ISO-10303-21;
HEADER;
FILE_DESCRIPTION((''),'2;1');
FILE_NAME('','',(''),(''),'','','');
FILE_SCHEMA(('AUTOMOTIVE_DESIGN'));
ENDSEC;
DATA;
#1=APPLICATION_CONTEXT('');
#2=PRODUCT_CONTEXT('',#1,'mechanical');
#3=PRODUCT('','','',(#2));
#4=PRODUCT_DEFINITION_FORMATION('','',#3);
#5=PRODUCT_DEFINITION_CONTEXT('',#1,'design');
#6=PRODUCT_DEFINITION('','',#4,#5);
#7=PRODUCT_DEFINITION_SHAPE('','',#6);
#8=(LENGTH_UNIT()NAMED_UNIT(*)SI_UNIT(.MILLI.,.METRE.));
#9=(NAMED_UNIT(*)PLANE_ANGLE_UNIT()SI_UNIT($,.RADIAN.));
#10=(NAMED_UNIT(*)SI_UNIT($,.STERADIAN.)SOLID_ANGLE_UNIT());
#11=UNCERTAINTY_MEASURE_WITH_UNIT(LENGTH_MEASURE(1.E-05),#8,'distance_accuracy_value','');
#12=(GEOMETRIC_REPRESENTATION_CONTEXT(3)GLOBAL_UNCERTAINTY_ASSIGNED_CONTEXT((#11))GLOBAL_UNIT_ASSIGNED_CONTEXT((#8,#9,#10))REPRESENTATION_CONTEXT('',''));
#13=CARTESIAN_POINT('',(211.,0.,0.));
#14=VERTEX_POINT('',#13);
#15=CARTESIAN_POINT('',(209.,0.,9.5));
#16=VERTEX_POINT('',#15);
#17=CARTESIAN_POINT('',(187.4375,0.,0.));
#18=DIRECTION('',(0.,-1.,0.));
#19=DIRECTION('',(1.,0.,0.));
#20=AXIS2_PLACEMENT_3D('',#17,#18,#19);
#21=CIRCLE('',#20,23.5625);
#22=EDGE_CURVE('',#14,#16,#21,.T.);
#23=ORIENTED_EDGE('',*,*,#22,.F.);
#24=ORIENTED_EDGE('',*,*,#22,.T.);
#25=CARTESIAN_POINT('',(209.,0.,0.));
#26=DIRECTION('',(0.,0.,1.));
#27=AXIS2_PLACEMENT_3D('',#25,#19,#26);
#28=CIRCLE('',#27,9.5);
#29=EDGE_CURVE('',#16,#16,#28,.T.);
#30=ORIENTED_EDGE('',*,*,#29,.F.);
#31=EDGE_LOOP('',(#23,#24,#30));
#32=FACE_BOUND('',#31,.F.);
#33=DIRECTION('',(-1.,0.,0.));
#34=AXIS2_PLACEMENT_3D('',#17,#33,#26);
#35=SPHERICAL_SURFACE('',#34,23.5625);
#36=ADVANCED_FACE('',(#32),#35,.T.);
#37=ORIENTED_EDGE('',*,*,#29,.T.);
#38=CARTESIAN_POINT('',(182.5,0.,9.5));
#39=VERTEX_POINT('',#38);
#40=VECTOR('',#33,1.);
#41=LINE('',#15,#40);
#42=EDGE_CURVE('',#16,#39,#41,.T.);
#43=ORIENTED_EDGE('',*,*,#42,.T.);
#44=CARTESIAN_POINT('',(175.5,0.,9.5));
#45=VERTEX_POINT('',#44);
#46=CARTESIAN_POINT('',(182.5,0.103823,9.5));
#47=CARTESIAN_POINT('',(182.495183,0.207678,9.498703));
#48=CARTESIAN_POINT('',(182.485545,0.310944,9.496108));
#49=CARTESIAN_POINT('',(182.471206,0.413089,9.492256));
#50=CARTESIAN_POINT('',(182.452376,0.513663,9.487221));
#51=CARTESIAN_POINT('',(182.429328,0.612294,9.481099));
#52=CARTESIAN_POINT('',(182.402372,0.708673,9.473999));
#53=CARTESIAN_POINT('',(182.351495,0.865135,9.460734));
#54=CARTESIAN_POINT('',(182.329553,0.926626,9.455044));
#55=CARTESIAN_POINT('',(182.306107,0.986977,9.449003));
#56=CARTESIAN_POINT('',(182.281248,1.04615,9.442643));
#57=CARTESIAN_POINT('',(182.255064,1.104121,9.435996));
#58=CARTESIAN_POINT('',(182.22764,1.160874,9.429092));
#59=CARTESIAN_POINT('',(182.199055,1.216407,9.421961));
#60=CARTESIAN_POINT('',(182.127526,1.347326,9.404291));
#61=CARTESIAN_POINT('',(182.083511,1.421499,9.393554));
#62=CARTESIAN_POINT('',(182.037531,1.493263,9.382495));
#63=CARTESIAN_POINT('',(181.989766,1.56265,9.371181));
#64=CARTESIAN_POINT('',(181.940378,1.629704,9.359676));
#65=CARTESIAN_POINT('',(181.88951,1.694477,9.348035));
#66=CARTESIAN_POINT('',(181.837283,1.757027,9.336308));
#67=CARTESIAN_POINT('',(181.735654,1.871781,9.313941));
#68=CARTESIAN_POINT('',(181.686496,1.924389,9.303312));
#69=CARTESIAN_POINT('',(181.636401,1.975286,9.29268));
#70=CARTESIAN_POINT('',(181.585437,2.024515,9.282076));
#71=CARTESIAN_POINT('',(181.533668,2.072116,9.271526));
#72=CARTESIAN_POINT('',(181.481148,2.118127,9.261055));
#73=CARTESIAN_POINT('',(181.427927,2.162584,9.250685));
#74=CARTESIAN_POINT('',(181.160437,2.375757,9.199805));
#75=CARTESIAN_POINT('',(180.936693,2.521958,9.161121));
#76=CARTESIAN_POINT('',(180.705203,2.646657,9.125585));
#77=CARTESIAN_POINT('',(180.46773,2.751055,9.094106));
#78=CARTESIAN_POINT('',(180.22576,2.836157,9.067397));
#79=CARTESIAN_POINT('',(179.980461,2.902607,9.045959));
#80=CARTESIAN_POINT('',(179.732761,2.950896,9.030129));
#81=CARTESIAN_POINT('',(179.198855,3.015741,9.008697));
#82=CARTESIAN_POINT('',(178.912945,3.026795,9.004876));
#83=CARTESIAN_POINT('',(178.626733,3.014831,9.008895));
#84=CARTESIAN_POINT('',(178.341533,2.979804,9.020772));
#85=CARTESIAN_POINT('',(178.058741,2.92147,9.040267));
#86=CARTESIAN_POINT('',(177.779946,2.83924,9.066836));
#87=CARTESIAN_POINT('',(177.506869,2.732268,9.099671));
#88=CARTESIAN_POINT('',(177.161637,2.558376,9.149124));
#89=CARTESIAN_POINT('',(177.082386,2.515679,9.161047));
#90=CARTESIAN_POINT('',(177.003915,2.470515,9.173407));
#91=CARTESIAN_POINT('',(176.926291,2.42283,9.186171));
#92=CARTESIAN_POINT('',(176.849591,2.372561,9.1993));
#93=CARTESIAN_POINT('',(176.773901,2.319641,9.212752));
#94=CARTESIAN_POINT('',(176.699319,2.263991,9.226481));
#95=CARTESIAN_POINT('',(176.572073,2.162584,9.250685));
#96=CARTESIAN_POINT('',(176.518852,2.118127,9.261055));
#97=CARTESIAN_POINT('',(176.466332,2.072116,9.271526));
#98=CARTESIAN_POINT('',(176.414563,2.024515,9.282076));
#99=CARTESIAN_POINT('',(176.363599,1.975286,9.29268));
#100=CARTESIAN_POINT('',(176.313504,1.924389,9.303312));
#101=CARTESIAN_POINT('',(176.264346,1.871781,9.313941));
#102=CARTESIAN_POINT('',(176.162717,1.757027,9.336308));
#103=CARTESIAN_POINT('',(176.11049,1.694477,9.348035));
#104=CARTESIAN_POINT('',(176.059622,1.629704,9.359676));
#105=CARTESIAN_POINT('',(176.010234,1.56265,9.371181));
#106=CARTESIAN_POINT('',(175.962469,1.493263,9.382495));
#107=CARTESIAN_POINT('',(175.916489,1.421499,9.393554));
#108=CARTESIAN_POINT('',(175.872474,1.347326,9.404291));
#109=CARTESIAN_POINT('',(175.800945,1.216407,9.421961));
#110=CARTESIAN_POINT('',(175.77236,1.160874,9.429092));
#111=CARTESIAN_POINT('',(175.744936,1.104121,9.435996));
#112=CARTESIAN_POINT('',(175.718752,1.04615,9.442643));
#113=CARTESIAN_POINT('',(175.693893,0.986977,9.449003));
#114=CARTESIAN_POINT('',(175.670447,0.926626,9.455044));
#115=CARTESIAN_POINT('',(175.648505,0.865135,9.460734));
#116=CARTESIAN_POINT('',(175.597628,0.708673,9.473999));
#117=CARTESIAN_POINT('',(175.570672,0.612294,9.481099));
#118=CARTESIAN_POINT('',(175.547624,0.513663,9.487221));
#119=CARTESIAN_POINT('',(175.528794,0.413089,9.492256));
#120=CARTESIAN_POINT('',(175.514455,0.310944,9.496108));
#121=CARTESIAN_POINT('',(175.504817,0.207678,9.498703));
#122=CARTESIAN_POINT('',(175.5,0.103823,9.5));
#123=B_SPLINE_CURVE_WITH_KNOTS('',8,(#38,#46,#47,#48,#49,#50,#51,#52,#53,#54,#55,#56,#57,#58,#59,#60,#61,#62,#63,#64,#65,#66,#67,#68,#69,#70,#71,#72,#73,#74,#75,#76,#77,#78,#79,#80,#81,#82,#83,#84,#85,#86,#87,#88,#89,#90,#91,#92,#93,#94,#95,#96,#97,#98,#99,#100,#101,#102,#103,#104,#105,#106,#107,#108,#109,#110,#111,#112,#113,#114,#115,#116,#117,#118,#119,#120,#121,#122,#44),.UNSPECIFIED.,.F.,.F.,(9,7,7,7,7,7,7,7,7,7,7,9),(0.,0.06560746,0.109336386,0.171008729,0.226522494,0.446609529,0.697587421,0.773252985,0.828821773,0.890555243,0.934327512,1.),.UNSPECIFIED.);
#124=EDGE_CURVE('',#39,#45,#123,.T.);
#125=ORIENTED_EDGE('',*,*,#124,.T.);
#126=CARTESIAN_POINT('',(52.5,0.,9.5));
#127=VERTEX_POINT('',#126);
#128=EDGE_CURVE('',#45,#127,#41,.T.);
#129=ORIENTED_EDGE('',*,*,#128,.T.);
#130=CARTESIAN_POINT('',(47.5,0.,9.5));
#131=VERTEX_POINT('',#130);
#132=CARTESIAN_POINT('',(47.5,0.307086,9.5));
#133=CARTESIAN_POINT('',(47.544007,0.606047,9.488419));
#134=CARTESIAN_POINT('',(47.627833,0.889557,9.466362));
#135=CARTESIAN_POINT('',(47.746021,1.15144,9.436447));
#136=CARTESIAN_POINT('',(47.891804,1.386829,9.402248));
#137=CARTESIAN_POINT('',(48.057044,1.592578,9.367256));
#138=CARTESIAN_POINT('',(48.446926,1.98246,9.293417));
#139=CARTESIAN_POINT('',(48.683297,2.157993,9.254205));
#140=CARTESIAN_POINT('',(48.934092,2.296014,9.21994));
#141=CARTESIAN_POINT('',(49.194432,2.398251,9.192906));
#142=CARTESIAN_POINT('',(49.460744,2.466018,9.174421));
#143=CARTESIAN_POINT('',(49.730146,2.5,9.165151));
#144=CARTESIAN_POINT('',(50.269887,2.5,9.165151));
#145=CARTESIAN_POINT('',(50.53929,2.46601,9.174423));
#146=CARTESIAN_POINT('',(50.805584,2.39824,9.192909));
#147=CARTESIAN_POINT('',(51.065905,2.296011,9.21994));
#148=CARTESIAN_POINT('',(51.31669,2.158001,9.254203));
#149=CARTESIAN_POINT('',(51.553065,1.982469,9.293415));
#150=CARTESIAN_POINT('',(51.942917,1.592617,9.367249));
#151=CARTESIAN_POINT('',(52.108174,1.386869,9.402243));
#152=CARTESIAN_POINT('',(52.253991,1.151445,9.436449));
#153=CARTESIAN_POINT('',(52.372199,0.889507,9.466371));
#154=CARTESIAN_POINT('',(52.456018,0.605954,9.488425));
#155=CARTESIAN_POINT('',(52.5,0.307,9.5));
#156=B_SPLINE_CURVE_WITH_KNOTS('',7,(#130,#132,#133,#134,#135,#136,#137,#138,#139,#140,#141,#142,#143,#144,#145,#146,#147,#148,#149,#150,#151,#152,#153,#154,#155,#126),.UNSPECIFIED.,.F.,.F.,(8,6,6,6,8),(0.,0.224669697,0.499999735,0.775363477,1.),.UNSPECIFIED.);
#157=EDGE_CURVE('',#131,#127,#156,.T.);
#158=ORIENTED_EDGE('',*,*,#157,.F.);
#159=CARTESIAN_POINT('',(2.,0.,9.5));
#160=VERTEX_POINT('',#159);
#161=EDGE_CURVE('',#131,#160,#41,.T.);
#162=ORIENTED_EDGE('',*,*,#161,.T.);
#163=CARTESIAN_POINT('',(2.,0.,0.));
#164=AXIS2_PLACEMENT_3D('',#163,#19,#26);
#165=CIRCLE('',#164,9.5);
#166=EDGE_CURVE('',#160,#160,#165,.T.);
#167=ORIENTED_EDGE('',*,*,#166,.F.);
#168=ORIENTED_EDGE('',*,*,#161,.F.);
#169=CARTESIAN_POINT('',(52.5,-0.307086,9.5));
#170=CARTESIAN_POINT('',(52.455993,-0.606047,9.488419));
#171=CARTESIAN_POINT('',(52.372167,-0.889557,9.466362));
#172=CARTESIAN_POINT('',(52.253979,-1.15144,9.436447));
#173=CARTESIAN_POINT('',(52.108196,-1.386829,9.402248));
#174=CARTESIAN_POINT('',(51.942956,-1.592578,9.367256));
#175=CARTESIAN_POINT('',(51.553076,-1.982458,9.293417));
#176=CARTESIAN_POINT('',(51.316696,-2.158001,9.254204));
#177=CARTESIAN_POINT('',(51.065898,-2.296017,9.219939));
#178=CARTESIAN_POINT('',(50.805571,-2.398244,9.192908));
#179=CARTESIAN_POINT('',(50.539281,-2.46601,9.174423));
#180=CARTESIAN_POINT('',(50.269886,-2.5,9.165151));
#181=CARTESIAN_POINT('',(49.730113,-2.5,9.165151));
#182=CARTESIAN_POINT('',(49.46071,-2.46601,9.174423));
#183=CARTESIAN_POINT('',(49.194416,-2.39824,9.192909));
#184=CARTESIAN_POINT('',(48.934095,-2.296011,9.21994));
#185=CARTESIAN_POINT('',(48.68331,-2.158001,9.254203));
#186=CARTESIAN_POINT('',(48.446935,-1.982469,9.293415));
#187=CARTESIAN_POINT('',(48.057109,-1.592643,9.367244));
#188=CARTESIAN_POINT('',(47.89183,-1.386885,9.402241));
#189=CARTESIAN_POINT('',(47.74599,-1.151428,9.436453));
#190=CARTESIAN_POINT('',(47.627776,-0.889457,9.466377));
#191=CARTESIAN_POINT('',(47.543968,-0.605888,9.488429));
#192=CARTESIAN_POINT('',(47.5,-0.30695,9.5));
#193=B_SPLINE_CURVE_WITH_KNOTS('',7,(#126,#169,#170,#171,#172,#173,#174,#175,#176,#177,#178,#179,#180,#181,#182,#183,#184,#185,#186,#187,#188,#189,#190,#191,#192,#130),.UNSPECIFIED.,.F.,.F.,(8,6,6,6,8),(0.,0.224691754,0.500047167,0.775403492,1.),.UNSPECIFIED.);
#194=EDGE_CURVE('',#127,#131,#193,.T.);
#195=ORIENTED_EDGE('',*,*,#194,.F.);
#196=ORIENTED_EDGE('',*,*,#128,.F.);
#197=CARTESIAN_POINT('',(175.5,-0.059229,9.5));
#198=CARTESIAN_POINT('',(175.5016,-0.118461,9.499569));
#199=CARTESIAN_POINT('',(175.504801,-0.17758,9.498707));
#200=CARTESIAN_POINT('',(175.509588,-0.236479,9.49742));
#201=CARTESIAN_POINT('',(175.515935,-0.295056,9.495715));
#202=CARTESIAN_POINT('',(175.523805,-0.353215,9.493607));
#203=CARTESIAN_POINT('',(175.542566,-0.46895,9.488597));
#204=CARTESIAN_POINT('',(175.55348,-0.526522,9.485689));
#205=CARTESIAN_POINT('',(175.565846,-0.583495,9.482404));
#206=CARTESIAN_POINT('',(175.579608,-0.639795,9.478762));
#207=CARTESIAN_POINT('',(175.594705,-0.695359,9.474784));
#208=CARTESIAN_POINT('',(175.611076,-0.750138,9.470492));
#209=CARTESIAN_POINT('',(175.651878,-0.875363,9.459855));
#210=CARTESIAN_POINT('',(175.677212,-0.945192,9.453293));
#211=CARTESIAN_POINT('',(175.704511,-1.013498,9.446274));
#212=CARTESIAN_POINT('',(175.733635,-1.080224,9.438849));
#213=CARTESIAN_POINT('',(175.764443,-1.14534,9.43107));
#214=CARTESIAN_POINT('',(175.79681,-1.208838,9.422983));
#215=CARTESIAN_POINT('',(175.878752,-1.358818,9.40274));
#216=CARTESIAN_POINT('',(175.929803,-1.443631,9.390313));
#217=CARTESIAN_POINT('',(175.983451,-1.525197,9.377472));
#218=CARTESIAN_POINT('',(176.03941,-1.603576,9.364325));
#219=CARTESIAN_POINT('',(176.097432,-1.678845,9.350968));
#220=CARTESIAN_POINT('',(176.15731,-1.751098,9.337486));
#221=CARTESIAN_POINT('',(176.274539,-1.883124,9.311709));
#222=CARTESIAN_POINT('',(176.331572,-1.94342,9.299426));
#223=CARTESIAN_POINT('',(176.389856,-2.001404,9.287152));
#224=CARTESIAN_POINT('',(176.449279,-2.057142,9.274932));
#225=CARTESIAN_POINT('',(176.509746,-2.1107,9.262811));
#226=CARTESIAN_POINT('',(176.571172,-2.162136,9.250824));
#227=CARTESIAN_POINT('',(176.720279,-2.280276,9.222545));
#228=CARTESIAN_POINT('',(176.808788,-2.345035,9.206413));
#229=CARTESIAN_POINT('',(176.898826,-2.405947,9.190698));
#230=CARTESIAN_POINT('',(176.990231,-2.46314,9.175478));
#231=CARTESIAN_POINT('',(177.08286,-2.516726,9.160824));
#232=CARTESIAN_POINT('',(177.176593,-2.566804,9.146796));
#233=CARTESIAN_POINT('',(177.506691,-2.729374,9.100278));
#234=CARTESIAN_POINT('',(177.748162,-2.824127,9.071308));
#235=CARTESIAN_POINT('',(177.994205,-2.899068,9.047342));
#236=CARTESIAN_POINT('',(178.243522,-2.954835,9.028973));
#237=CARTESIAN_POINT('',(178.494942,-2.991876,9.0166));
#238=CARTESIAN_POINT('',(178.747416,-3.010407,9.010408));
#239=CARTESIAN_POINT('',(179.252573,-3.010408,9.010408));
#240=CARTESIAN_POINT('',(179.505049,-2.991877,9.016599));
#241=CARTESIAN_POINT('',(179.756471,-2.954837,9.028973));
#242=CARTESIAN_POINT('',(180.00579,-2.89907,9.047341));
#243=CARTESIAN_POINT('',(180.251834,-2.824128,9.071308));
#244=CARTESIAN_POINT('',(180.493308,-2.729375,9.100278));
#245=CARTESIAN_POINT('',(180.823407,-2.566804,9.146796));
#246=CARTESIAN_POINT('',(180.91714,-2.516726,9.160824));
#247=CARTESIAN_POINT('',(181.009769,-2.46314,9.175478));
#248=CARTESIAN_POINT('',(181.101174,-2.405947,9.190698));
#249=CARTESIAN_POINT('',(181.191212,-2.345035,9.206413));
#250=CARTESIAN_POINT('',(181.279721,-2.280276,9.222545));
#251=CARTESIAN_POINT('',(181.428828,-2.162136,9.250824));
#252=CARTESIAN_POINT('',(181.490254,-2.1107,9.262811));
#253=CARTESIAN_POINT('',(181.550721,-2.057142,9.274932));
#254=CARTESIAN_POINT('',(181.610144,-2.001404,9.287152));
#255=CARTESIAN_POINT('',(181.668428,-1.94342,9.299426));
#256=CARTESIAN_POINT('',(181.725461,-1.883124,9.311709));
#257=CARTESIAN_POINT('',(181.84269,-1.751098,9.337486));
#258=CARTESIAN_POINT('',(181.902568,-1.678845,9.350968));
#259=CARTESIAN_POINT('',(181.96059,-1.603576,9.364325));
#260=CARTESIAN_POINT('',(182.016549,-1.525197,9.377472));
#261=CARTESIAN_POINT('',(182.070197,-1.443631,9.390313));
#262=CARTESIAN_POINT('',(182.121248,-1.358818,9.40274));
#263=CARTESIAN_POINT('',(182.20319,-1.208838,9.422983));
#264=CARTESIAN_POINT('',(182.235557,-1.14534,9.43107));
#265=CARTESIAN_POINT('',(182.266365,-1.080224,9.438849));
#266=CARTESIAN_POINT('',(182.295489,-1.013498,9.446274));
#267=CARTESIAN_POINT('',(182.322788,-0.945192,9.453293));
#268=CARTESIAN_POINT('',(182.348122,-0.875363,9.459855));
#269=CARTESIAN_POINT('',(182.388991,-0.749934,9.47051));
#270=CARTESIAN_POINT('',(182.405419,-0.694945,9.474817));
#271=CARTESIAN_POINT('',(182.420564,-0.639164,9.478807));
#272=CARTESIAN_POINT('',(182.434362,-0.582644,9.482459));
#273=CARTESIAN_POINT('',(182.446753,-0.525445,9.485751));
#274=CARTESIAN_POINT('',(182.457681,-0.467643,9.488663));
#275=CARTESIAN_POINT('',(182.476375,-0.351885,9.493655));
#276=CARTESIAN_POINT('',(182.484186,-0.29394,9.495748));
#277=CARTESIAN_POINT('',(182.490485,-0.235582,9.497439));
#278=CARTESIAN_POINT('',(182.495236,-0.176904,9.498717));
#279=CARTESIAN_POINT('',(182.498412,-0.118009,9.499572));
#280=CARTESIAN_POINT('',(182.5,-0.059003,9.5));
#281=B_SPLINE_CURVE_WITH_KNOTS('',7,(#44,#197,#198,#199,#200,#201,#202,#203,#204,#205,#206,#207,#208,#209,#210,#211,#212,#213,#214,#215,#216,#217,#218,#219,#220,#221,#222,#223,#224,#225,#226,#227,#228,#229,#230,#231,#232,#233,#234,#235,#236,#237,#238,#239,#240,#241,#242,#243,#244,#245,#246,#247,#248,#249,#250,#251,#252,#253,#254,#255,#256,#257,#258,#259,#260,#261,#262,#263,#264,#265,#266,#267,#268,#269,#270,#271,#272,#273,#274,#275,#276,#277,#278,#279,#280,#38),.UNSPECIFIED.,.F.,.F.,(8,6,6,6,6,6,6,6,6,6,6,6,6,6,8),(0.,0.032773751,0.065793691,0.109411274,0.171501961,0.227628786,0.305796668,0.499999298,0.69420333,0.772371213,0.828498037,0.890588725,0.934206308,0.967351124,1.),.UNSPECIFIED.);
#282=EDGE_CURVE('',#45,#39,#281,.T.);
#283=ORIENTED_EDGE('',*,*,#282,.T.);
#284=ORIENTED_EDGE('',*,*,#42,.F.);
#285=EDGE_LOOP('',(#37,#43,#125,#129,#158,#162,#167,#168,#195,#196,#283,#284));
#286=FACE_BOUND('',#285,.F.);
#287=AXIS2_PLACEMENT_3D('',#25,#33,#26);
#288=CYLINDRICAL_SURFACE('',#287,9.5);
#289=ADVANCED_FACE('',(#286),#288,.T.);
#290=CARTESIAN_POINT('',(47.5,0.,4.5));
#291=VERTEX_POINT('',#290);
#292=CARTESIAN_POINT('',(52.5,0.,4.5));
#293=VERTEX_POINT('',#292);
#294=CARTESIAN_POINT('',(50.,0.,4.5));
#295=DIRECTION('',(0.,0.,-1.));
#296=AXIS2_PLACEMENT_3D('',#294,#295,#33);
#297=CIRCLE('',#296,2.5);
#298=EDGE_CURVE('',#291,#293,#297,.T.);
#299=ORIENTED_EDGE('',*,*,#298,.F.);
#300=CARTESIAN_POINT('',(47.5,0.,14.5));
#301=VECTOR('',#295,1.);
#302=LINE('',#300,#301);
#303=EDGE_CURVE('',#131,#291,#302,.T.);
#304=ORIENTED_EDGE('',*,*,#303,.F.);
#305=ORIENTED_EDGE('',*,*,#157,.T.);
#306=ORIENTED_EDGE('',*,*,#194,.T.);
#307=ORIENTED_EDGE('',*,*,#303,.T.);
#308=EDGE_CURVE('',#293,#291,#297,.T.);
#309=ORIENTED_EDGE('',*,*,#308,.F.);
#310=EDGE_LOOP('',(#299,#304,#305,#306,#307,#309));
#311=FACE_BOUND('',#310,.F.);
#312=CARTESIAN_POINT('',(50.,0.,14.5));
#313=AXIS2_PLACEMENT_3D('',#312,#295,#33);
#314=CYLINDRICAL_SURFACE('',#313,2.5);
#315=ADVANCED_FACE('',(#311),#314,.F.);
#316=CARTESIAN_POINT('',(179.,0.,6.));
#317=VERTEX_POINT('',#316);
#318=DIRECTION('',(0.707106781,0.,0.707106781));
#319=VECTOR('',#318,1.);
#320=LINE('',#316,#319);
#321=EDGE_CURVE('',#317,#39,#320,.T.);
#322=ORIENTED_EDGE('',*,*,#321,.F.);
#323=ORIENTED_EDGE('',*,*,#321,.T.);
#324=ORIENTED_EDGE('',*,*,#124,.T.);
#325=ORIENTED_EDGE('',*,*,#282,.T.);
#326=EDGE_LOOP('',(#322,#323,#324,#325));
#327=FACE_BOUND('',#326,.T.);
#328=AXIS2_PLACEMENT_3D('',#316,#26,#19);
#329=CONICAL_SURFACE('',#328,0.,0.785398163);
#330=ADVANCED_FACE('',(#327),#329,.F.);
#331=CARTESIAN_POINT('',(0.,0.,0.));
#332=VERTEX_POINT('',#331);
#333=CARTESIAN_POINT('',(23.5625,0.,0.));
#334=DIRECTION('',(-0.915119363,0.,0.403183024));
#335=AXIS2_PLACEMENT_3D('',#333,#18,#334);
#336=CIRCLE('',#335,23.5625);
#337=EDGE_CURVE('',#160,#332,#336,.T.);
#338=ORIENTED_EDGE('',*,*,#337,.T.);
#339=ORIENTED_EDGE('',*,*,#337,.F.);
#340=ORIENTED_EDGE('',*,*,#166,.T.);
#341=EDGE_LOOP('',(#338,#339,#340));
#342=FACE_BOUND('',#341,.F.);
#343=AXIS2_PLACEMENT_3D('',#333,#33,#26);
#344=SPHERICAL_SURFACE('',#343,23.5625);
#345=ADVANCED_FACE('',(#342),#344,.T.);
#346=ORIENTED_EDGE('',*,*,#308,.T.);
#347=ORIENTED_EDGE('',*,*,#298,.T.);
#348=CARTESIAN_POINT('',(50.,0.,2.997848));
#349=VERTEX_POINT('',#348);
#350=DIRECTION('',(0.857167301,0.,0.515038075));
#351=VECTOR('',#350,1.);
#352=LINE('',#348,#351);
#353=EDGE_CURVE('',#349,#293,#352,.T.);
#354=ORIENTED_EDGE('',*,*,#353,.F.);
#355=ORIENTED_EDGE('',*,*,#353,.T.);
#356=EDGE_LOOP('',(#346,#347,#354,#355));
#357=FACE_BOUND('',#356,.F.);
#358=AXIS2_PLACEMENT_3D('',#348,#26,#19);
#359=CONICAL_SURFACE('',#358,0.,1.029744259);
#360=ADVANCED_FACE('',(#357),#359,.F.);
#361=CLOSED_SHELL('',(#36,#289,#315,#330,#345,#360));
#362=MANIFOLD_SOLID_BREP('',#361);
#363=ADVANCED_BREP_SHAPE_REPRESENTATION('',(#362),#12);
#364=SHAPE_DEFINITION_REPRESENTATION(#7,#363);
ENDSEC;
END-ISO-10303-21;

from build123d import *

# Parameters (mm, degrees)
F4_D     = 5
F4_DEPTH = 5
F4_TIP   = 1.5021515476


with BuildPart() as f1:
    # F0 (on Front) → F1 (revolve)
    with BuildSketch(Plane.XZ):
        with BuildLine():
            Line((209, 9.5), (2, 9.5))
            ThreePointArc((2, 9.5), (0.5054206912, 4.8541219597), (0, 0))
            Line((0, 0), (211, 0))
            ThreePointArc((211, 0), (210.4945793088, 4.8541219597), (209, 9.5))
        make_face()
    revolve(axis=Axis((104.3779142201, 0, 0), (1, 0, 0)))

    # F4
    with Locations(Plane.XY.offset(9.5)):
        with Locations((50, 0)):
            Hole(F4_D / 2, depth=F4_DEPTH)
            with Locations((0, 0, -(F4_DEPTH + F4_TIP / 2))):  # 118° drill point
                Cone(0, F4_D / 2, F4_TIP, mode=Mode.SUBTRACT)

    # F5 (on Front) → F6 (revolve, cut)
    with BuildSketch(Plane.XZ):
        Polygon((184.5, 11.5), (179, 11.5), (179, 6), align=None)
    revolve(axis=Axis((179, 0, -0.0294297934), (0, 0, -1)), mode=Mode.SUBTRACT)


solid = f1.part
